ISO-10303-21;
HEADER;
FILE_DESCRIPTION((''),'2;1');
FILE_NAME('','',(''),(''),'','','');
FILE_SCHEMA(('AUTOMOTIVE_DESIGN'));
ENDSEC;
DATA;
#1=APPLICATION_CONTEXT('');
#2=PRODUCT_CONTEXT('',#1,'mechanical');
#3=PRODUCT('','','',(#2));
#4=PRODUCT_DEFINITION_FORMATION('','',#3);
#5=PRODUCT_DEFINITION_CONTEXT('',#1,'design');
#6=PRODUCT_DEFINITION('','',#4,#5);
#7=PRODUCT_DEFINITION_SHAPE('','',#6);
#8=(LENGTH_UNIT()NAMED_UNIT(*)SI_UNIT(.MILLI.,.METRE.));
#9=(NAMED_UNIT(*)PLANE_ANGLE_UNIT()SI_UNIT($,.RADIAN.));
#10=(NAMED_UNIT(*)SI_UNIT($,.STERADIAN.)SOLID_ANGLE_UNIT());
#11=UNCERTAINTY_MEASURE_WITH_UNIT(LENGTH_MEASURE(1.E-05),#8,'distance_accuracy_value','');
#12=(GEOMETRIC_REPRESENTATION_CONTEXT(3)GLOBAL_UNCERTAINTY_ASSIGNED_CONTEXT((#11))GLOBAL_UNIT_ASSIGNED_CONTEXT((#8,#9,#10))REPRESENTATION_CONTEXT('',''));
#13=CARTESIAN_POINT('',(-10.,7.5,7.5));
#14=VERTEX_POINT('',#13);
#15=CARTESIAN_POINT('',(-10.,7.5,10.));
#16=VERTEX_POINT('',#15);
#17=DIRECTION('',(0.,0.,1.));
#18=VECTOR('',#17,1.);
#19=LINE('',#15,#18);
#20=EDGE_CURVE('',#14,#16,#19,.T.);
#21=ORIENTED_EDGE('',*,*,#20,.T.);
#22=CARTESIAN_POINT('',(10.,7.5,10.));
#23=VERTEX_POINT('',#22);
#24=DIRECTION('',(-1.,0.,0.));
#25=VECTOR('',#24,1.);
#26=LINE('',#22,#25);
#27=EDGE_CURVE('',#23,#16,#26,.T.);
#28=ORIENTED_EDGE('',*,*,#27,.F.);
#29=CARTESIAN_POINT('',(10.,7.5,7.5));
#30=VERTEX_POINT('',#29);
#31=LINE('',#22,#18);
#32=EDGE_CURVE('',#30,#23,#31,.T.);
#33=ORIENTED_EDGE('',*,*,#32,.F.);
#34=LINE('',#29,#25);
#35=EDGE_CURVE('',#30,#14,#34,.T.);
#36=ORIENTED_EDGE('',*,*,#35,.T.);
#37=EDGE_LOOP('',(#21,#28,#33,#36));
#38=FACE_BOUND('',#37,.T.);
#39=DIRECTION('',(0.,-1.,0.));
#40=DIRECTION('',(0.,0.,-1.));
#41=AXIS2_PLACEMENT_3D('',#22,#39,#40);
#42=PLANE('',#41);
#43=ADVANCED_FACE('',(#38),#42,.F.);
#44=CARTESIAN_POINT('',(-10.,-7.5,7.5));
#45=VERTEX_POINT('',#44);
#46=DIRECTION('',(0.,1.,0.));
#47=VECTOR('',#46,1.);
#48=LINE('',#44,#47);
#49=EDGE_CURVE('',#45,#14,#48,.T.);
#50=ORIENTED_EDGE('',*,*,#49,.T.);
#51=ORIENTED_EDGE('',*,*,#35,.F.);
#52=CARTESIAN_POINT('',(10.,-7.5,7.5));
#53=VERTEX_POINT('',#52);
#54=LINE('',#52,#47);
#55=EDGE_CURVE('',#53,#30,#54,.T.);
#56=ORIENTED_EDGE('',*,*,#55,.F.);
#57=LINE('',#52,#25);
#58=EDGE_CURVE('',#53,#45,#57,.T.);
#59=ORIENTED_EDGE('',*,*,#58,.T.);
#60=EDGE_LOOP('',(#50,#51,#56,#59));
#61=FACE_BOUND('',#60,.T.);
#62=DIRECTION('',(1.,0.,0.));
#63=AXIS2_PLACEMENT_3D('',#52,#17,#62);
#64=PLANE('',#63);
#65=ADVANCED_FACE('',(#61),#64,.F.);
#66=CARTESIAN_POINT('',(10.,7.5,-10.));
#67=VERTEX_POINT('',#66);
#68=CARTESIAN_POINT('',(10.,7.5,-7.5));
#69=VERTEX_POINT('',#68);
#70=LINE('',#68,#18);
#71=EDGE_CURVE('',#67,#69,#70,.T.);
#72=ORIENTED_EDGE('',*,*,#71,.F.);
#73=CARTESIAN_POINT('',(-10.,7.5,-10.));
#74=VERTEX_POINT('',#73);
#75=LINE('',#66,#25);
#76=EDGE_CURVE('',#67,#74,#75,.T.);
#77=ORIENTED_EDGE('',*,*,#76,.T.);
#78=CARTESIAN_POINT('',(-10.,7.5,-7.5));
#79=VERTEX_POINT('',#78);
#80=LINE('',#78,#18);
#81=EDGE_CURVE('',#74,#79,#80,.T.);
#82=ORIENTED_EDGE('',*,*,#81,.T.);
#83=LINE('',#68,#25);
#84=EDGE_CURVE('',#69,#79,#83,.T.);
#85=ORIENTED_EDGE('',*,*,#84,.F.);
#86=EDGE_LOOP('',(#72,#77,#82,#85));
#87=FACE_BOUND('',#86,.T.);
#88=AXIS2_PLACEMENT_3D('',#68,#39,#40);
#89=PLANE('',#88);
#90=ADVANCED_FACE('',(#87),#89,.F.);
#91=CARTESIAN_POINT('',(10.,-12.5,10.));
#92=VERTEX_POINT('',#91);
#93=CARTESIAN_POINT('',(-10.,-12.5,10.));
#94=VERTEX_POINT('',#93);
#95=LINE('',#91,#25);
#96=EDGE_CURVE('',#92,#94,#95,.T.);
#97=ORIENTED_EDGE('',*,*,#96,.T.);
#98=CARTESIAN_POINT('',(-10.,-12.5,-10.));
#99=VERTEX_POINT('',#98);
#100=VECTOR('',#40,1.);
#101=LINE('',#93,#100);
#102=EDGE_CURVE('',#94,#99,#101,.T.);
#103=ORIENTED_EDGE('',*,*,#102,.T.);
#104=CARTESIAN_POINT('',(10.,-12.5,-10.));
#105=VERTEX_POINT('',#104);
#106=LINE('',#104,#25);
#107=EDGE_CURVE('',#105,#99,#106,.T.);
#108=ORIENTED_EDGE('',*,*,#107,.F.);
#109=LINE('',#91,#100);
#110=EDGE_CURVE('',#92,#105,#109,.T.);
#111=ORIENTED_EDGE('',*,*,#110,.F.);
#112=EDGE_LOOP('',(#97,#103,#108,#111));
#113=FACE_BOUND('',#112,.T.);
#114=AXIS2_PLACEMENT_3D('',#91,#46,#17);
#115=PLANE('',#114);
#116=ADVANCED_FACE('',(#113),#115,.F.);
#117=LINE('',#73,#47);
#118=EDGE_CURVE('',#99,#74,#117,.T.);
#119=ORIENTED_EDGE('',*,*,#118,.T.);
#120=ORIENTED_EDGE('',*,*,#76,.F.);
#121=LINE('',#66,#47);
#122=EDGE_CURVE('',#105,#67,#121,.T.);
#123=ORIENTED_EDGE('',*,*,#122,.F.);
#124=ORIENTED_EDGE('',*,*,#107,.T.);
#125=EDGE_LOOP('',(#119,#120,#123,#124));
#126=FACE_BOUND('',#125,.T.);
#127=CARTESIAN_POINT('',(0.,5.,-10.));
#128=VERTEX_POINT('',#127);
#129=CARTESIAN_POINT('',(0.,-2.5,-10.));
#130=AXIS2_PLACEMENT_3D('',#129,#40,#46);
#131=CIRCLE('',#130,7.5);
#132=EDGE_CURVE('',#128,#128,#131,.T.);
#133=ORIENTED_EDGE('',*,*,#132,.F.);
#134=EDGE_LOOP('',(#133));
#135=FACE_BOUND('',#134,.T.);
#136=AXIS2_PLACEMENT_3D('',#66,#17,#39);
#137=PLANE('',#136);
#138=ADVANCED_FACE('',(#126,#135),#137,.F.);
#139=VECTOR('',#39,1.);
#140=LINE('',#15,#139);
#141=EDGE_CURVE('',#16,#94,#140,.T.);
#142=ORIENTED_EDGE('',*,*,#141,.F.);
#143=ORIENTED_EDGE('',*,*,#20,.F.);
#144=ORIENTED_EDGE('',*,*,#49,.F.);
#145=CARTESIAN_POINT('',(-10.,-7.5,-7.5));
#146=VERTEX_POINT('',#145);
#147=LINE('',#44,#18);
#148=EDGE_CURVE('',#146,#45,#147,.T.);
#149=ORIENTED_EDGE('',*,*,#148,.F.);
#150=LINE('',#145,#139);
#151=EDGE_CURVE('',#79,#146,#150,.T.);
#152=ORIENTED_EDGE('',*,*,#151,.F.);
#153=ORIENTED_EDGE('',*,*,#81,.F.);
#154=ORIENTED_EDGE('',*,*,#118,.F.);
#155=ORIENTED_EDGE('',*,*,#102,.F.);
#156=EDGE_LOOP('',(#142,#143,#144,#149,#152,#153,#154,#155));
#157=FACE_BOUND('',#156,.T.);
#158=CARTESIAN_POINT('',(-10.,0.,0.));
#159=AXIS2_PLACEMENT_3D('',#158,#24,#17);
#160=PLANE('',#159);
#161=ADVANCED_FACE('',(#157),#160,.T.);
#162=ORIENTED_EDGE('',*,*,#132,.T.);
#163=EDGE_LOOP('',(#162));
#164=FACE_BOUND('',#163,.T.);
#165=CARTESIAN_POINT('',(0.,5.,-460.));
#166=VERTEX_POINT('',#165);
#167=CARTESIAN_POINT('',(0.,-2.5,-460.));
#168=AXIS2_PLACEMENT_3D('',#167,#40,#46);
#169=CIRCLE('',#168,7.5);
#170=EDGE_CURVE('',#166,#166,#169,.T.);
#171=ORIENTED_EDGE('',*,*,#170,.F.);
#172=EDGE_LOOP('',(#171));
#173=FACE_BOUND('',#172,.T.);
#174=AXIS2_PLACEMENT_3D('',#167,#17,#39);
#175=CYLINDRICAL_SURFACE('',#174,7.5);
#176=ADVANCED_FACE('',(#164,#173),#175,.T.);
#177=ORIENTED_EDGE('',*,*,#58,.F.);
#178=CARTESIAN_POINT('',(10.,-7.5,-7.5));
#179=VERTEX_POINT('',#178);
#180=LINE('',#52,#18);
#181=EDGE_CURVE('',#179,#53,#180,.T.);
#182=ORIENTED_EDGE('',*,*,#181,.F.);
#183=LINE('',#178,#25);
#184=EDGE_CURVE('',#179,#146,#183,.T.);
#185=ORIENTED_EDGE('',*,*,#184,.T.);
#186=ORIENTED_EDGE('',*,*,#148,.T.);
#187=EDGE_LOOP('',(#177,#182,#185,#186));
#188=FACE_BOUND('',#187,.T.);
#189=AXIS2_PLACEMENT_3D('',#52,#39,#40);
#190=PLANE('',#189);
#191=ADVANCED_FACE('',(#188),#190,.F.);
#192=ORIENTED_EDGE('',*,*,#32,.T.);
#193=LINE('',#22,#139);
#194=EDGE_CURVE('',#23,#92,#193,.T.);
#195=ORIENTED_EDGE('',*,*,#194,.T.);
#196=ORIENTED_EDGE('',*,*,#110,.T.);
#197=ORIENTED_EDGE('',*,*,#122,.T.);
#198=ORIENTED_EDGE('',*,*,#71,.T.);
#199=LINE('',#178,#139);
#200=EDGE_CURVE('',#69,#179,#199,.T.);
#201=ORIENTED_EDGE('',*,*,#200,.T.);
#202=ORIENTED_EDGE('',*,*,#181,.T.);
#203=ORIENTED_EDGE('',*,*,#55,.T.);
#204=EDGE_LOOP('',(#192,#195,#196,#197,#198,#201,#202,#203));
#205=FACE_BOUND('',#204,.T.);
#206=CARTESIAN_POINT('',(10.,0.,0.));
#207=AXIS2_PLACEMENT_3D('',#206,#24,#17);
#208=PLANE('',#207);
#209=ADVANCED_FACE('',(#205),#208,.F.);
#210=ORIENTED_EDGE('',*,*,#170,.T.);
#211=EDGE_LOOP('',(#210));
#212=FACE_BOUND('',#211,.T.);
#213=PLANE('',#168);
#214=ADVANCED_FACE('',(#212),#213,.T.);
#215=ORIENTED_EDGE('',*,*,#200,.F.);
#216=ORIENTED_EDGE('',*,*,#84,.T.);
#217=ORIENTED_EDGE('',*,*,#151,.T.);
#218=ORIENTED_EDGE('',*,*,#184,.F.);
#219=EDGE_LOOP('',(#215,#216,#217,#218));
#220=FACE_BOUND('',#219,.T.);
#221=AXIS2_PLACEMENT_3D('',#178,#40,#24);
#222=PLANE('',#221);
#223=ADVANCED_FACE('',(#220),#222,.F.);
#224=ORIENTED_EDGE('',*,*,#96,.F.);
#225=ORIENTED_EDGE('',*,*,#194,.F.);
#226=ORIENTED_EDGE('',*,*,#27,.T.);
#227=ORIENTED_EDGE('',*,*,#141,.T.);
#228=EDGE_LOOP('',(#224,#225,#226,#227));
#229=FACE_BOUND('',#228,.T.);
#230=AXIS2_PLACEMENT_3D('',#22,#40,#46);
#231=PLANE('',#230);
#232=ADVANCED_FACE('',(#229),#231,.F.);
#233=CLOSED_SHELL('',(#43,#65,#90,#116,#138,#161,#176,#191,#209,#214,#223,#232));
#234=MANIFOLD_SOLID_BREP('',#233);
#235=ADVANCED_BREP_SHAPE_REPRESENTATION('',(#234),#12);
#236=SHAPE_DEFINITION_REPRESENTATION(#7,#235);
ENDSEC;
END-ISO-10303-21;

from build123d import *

# Parameters (mm, degrees)
BOSS_EXTRUDE1_DEPTH = 10
SKETCH4_R           = 7.5
BOSS_EXTRUDE2_DEPTH = 450


with BuildPart() as part:
    # Sketch2 → Boss-Extrude1 (new, symmetric)
    with BuildSketch(Plane(origin=(0, 0, 0), x_dir=(0, 0, -1), z_dir=(1, 0, 0))):
        Polygon((7.5, 7.5), (10, 7.5), (10, -12.5), (-10, -12.5), (-10, 7.5), (-7.5, 7.5), (-7.5, -7.5), (7.5, -7.5), align=None)
    extrude(amount=BOSS_EXTRUDE1_DEPTH, both=True)

    # Sketch4 → Boss-Extrude2 (add)
    with BuildSketch(Plane(origin=(0, 0, -10), x_dir=(-1, 0, 0), z_dir=(0, 0, -1))):
        with Locations(Location((0, -2.5, 0), (0, 0, 90))):
            Circle(SKETCH4_R)
    extrude(amount=BOSS_EXTRUDE2_DEPTH)


solid = part.part
